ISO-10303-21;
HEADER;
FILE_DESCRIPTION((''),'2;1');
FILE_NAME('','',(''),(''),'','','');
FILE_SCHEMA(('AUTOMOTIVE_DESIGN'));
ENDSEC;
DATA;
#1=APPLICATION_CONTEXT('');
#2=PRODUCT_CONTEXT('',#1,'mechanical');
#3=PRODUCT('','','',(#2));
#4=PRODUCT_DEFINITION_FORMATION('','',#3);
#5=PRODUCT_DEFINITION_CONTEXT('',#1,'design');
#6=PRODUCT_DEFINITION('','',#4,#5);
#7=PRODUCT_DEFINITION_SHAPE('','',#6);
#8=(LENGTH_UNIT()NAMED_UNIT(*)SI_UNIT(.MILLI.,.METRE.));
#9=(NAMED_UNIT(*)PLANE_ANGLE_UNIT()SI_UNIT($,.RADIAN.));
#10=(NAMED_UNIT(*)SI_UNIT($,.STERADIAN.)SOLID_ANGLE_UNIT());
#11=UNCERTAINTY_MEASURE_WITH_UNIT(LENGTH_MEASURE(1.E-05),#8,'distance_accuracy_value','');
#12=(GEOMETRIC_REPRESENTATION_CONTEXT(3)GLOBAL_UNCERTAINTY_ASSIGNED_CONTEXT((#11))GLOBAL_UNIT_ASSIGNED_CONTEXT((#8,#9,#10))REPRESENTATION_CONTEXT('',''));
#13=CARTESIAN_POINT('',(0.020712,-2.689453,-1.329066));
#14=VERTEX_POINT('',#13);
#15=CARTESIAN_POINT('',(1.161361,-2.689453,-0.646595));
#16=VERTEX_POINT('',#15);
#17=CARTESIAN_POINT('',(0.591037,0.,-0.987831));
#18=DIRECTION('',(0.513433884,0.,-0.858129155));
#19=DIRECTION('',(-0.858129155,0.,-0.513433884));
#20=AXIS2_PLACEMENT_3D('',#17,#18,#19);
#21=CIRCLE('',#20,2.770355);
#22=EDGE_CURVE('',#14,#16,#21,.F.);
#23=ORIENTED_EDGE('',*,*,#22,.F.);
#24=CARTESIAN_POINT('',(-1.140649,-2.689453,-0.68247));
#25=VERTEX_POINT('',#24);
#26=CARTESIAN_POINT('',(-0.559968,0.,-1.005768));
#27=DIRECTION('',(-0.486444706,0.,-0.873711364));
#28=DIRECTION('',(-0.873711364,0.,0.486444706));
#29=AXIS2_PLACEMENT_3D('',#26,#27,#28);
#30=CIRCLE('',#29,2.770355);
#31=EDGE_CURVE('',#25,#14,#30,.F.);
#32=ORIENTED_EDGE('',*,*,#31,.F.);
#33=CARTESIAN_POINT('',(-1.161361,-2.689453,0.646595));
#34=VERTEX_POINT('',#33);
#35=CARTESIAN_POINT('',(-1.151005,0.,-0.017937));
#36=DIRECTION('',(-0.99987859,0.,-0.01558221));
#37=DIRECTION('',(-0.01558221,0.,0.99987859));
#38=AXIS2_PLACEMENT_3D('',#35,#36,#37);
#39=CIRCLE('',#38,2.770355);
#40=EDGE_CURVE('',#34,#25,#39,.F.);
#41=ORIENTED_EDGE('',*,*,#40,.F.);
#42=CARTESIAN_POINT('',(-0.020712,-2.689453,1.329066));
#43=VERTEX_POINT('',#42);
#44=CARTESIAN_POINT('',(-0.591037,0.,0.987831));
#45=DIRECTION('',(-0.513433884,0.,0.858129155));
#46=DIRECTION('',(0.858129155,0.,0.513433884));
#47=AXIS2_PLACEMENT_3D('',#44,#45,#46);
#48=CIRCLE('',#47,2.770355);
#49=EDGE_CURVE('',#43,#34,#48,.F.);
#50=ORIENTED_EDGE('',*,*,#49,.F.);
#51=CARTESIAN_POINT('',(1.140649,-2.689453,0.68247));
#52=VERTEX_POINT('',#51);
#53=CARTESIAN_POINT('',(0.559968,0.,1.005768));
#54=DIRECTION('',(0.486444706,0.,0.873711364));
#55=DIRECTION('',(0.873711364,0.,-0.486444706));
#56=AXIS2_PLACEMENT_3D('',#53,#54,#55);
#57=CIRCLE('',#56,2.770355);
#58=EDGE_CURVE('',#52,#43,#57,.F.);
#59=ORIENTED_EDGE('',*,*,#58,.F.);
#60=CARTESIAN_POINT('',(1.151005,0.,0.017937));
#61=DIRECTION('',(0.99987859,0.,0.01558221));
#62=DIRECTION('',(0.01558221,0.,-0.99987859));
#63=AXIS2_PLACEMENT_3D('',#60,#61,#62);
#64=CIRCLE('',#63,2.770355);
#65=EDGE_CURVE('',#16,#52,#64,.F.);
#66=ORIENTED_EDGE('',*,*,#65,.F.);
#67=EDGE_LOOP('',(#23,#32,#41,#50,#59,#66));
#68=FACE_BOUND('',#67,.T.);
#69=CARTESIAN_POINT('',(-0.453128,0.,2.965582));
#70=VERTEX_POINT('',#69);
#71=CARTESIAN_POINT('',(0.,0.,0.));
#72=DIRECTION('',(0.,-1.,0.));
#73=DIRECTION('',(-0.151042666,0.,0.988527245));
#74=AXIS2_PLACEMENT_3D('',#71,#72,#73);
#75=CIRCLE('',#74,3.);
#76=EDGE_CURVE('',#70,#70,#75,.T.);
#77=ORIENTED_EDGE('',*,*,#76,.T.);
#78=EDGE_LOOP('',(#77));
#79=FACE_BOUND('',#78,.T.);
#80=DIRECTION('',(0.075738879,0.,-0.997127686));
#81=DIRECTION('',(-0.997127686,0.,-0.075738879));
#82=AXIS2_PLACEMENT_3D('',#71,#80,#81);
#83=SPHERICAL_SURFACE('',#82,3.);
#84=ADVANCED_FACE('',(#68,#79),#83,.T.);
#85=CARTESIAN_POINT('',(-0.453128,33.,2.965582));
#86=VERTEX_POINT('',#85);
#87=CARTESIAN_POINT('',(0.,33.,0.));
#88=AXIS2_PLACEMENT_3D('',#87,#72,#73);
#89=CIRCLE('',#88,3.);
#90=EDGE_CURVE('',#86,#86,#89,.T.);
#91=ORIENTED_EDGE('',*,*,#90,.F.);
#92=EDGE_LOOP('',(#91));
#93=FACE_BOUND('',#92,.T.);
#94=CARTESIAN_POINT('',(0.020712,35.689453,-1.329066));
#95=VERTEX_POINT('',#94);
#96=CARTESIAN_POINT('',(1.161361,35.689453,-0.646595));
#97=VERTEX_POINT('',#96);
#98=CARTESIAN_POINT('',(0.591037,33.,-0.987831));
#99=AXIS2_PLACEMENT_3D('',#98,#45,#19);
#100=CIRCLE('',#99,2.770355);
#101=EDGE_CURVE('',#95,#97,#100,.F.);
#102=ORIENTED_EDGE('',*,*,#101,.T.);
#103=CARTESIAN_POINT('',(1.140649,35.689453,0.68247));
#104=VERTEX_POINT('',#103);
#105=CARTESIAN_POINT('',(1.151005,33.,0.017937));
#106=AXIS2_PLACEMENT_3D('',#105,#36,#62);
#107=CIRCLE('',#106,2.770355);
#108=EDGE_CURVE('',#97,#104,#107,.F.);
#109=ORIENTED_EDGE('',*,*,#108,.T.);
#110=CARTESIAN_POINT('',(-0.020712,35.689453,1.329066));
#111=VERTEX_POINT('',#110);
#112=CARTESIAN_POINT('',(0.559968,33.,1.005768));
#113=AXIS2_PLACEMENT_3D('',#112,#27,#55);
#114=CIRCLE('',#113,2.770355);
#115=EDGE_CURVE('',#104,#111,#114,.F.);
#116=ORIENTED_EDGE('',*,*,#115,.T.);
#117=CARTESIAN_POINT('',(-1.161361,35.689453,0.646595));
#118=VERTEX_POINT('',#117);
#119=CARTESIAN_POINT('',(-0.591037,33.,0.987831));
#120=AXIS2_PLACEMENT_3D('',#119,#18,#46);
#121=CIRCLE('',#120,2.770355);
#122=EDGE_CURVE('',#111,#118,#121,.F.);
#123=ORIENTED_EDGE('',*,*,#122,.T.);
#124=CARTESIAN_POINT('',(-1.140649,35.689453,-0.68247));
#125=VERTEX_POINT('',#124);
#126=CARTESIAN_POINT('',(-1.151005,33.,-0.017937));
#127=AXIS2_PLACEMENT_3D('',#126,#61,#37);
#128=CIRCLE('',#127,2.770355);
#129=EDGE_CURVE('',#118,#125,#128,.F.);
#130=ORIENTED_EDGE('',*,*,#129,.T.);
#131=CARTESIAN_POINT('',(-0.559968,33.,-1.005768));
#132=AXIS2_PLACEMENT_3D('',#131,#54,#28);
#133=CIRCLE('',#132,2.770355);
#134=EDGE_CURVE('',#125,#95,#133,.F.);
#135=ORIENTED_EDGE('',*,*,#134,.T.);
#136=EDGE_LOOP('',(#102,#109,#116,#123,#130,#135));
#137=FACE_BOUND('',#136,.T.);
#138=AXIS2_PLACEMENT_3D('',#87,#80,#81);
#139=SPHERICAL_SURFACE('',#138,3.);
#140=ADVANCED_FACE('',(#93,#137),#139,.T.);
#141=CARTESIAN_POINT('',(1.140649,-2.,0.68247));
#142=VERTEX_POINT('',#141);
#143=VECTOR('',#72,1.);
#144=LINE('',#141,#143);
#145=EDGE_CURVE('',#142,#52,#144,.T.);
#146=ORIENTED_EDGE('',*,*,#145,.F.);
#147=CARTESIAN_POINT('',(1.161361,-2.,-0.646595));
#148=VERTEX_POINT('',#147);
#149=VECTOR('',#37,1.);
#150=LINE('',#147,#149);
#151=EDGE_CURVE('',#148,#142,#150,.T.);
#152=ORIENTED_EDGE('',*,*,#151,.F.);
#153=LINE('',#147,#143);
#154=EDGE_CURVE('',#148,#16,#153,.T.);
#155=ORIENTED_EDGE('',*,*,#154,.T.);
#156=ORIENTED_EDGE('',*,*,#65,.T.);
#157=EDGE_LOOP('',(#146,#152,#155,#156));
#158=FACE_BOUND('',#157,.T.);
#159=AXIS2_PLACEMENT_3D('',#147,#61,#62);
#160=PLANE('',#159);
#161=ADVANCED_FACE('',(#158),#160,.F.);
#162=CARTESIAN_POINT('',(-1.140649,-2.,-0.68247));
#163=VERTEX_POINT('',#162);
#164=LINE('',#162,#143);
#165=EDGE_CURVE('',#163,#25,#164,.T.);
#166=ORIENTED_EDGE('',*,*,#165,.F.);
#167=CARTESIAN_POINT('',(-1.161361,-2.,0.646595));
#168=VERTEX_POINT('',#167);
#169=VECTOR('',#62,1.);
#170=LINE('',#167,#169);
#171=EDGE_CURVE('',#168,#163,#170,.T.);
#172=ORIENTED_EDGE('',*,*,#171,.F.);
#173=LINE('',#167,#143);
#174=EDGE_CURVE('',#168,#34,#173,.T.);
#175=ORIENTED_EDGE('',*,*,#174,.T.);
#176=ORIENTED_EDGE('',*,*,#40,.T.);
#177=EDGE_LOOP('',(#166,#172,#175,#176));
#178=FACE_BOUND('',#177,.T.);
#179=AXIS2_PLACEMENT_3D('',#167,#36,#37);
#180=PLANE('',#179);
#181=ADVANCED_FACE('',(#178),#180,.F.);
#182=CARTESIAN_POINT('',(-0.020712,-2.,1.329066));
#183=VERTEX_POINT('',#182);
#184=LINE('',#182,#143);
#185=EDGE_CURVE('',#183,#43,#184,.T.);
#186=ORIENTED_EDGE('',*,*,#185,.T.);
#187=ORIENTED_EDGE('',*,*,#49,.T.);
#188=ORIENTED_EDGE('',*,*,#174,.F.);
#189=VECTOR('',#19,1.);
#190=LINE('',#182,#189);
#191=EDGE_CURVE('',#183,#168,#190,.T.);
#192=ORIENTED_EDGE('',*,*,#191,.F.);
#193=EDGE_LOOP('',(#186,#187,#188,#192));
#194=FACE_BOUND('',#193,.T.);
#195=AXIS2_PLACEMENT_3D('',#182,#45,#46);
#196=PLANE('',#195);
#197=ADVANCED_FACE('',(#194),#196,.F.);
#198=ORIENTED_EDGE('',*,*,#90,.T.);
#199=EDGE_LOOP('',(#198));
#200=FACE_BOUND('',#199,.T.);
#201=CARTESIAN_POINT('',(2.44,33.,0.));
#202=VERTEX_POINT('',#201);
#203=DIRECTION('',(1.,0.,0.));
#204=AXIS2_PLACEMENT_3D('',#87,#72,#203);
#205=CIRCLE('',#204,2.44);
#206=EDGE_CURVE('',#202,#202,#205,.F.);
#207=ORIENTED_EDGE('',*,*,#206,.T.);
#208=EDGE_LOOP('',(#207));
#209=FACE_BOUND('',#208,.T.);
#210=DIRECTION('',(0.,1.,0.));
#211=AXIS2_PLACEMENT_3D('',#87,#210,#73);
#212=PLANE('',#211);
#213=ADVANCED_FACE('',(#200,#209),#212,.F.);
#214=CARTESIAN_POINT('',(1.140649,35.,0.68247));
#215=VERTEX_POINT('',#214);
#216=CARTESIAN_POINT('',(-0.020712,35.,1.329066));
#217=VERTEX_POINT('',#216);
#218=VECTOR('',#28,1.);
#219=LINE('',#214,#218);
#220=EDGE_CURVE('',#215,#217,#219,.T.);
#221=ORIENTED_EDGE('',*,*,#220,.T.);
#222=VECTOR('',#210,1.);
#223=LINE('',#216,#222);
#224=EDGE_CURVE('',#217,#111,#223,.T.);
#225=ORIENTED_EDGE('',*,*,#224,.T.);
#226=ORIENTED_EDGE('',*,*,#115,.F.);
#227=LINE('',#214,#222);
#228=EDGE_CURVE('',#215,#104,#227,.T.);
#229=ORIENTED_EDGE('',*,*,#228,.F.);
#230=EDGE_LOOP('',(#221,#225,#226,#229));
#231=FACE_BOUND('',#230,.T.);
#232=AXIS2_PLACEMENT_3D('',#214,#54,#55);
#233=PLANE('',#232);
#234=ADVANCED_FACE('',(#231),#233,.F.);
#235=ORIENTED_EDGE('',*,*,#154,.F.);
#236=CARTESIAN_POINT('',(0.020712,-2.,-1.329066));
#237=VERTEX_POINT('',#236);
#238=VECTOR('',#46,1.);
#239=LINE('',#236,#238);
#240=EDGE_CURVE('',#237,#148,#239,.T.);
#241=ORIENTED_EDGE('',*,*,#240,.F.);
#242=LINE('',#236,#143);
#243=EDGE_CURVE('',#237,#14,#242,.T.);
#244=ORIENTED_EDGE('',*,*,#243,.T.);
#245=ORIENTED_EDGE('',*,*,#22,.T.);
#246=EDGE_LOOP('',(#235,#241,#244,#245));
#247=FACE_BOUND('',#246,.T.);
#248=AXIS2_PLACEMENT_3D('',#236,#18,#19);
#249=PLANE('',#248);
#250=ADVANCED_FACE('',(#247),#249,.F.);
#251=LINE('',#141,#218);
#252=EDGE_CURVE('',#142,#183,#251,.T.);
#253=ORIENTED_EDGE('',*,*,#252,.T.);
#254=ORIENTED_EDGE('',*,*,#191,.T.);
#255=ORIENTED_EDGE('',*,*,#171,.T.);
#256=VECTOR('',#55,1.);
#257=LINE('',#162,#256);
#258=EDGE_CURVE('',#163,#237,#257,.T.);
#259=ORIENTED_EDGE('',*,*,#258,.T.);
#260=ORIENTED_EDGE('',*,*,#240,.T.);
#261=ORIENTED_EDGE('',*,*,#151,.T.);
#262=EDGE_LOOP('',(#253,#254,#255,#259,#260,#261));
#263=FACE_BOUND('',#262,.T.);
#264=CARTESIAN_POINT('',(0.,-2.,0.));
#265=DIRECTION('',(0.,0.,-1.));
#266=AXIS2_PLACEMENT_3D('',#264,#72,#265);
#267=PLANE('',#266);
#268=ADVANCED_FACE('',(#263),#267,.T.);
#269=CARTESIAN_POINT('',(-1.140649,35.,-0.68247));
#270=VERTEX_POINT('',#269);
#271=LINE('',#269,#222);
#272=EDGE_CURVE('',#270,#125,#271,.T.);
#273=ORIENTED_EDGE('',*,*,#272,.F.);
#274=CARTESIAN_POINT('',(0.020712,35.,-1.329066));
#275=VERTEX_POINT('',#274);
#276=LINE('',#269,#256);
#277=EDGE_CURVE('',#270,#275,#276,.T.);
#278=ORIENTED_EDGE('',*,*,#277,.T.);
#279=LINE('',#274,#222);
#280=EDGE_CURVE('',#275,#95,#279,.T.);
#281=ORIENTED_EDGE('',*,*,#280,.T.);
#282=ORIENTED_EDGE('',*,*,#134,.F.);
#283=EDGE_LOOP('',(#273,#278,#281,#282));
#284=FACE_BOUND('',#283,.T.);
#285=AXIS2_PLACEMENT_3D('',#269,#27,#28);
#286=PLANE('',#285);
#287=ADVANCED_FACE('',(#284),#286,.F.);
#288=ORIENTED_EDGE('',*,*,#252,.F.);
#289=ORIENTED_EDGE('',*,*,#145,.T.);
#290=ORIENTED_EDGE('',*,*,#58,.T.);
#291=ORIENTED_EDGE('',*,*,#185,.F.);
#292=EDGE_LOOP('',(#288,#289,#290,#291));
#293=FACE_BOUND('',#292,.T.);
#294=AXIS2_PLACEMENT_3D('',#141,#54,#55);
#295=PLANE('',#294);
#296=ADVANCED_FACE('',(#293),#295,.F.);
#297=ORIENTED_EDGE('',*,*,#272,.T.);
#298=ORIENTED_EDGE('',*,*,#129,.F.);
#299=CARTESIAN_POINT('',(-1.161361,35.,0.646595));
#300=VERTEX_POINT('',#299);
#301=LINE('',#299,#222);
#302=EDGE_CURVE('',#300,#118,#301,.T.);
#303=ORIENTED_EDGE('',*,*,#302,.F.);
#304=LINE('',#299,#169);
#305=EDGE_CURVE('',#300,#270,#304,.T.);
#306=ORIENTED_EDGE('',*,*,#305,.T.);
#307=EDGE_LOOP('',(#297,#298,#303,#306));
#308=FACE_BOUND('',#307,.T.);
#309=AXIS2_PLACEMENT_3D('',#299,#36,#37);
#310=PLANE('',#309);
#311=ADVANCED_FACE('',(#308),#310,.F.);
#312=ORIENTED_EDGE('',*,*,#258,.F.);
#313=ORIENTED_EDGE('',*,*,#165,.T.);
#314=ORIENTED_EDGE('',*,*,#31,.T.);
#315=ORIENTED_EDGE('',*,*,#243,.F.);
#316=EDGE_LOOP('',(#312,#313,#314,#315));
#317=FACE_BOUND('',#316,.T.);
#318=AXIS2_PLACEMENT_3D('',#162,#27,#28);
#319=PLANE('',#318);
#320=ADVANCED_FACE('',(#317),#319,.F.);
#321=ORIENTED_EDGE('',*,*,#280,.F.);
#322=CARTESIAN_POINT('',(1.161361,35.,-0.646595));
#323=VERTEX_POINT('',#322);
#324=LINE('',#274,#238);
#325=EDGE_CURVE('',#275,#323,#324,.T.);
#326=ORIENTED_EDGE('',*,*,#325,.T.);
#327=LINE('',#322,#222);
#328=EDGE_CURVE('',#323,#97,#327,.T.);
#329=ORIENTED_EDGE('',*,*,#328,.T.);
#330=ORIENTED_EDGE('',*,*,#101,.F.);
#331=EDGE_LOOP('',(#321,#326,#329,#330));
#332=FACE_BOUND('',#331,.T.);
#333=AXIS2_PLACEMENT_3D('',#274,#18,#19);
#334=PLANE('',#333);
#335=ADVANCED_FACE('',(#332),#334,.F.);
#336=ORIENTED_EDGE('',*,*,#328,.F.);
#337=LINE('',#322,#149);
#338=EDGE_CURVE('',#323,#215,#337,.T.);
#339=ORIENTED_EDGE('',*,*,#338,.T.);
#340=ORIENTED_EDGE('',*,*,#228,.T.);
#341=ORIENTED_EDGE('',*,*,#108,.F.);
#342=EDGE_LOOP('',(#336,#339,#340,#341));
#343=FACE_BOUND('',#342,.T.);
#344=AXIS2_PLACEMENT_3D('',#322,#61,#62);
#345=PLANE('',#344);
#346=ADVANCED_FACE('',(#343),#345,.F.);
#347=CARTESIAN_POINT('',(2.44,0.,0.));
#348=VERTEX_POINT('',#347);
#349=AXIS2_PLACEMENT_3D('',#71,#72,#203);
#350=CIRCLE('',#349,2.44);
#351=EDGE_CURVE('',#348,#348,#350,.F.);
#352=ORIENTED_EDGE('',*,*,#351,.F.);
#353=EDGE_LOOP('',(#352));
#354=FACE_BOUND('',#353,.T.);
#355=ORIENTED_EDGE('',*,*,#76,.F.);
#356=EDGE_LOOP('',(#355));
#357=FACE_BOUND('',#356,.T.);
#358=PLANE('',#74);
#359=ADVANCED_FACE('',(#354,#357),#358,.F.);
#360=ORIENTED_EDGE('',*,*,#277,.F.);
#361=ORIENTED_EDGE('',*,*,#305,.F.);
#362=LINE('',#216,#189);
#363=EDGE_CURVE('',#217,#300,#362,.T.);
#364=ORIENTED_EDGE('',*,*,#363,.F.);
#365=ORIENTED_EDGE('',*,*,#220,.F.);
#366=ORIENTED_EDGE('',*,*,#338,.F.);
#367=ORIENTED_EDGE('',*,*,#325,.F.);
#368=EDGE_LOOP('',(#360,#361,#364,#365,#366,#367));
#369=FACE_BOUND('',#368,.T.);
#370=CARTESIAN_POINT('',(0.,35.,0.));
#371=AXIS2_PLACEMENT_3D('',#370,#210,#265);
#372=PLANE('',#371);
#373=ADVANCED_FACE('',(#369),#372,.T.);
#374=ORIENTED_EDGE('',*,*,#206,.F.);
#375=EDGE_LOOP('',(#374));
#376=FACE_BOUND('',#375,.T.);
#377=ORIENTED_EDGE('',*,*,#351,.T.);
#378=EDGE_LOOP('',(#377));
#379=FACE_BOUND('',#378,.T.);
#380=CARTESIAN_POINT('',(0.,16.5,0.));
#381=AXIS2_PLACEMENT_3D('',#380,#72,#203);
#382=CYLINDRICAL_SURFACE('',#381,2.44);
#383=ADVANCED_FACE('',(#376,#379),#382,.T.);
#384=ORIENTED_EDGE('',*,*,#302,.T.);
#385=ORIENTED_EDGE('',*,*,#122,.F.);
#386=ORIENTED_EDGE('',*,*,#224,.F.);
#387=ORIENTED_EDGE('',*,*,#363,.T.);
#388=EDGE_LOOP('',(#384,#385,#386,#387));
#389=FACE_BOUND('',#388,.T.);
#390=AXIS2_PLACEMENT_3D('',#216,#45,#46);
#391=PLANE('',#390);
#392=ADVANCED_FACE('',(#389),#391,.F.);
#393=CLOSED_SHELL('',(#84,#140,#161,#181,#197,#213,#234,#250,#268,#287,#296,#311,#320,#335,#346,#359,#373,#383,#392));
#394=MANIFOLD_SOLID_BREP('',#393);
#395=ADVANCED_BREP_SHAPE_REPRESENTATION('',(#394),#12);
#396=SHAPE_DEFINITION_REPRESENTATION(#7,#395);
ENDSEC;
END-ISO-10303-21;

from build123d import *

# Parameters (mm, degrees)
REVOLVE_1_ANGLE     = 180
CUT_EXTRUDE_1_DEPTH = 1
SKETCH_3_R          = 2.44
EXTRUDE_1_DEPTH     = 16.5


with BuildPart() as part:
    # 草图1 → 旋转1 (revolve)
    with BuildSketch(Plane(origin=(0, 0, 0), x_dir=(1, 0, 0), z_dir=(0, 1, 0))):
        with BuildLine():
            Line((-0.227216636, -2.991383058), (0.227216636, 2.991383058))
            ThreePointArc((0.227216636, 2.991383058), (-2.991383058, 0.227216636), (-0.227216636, -2.991383058))
        make_face()
    revolve(axis=Axis((0.227216636, 0, -2.991383058), (-0.07573887865673318, 0, 0.9971276860361569)), revolution_arc=REVOLVE_1_ANGLE)

    # 草图2 → 切除-拉伸1 (cut)
    with BuildSketch(Plane(origin=(0, -3, 0), x_dir=(-1, 0, 0), z_dir=(0, -1, 0))):
        Polygon((1.161360834, -0.646595492), (1.140648539, 0.68247024), (-0.020712296, 1.329065731), (-1.161360834, 0.646595492), (-1.140648539, -0.68247024), (0.020712296, -1.329065731), align=None)
    extrude(amount=-CUT_EXTRUDE_1_DEPTH, mode=Mode.SUBTRACT)

    # 草图3 → 凸台-拉伸1 (add)
    with BuildSketch(Plane(origin=(0, 0, 0), x_dir=(1, 0, 0), z_dir=(0, 1, 0))):
        Circle(SKETCH_3_R)
    extrude(amount=EXTRUDE_1_DEPTH)

    # 镜向1: part across plane


with BuildPart() as part_1:
    add(part.part)
    add(part.part.mirror(Plane.ZX.offset(16.5)))


solid = part_1.part
